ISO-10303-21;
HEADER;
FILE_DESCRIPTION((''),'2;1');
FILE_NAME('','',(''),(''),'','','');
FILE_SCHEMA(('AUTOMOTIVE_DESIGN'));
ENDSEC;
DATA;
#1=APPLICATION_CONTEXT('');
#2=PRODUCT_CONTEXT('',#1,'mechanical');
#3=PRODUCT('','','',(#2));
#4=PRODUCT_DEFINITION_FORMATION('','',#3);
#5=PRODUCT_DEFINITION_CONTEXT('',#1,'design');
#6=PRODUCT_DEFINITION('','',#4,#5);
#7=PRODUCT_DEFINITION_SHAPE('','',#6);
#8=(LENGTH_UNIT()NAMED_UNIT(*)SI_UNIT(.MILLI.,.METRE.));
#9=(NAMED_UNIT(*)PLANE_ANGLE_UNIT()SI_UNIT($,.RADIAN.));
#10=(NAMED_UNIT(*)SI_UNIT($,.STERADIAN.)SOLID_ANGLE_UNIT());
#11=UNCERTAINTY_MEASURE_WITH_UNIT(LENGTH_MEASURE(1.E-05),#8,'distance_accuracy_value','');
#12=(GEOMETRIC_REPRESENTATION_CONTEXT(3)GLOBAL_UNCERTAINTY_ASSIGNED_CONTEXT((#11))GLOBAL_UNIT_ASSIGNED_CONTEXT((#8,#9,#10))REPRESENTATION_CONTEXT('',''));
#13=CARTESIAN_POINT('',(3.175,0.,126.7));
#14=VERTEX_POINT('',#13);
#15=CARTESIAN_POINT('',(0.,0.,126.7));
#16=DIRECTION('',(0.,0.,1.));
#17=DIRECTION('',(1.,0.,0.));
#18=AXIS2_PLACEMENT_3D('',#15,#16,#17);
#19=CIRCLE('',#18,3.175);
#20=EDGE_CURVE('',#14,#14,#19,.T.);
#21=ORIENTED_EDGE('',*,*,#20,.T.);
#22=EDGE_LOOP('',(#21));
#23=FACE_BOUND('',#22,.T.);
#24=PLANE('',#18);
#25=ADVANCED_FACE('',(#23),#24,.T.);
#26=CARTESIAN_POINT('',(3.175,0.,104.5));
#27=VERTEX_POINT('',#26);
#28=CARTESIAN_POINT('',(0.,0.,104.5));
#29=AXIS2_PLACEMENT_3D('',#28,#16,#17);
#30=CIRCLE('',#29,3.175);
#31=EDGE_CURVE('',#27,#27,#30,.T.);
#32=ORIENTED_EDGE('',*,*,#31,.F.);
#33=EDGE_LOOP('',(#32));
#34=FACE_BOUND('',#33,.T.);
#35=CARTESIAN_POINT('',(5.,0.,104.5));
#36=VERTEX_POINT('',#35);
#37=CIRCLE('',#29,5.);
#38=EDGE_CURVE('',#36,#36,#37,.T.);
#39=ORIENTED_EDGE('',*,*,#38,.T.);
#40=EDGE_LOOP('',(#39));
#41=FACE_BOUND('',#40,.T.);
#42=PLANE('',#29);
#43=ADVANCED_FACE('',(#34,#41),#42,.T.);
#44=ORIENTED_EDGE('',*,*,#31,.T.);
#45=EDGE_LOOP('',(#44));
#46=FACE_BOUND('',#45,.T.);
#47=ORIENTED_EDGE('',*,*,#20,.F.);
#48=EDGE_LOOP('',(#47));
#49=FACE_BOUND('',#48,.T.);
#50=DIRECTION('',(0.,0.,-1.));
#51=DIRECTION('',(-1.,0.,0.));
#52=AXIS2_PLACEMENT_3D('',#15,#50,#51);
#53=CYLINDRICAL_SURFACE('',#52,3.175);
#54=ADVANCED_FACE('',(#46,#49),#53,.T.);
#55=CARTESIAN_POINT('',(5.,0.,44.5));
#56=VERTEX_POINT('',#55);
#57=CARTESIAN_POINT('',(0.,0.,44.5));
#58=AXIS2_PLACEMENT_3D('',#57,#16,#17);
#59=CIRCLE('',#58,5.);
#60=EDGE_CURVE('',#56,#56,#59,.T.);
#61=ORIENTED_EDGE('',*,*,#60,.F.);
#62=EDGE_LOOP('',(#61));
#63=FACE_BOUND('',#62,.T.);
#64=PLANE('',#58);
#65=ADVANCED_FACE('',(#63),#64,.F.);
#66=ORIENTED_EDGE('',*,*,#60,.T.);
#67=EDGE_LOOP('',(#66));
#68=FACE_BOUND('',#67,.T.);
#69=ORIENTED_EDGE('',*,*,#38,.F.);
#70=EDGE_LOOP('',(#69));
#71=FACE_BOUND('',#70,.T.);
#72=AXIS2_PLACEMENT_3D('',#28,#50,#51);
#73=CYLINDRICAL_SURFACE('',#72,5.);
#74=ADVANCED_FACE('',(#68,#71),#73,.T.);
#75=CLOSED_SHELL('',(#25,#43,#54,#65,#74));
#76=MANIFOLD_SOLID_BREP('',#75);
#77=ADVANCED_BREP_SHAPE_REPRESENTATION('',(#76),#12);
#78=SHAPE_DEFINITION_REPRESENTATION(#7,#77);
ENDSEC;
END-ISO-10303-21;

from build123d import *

# Parameters (mm, degrees)
ROD_AT_MIDSTROKE_30MM_START           = 44.5
SKETCH1_R                             = 5
ROD_AT_MIDSTROKE_30MM_DEPTH           = 60
QUARTER20_THREAD_MAJOR_ENVELOPE_START = 104.5
SKETCH2_R                             = 3.175
QUARTER20_THREAD_MAJOR_ENVELOPE_DEPTH = 22.2


with BuildPart() as part:
    # Sketch1 → Rod_At_Midstroke_30mm (new body)
    with BuildSketch(Plane.XY.offset(ROD_AT_MIDSTROKE_30MM_START)):
        Circle(SKETCH1_R)
    extrude(amount=ROD_AT_MIDSTROKE_30MM_DEPTH)

    # Sketch2 → Quarter20_Thread_Major_Envelope (add)
    with BuildSketch(Plane.XY.offset(QUARTER20_THREAD_MAJOR_ENVELOPE_START)):
        Circle(SKETCH2_R)
    extrude(amount=QUARTER20_THREAD_MAJOR_ENVELOPE_DEPTH)


solid = part.part
